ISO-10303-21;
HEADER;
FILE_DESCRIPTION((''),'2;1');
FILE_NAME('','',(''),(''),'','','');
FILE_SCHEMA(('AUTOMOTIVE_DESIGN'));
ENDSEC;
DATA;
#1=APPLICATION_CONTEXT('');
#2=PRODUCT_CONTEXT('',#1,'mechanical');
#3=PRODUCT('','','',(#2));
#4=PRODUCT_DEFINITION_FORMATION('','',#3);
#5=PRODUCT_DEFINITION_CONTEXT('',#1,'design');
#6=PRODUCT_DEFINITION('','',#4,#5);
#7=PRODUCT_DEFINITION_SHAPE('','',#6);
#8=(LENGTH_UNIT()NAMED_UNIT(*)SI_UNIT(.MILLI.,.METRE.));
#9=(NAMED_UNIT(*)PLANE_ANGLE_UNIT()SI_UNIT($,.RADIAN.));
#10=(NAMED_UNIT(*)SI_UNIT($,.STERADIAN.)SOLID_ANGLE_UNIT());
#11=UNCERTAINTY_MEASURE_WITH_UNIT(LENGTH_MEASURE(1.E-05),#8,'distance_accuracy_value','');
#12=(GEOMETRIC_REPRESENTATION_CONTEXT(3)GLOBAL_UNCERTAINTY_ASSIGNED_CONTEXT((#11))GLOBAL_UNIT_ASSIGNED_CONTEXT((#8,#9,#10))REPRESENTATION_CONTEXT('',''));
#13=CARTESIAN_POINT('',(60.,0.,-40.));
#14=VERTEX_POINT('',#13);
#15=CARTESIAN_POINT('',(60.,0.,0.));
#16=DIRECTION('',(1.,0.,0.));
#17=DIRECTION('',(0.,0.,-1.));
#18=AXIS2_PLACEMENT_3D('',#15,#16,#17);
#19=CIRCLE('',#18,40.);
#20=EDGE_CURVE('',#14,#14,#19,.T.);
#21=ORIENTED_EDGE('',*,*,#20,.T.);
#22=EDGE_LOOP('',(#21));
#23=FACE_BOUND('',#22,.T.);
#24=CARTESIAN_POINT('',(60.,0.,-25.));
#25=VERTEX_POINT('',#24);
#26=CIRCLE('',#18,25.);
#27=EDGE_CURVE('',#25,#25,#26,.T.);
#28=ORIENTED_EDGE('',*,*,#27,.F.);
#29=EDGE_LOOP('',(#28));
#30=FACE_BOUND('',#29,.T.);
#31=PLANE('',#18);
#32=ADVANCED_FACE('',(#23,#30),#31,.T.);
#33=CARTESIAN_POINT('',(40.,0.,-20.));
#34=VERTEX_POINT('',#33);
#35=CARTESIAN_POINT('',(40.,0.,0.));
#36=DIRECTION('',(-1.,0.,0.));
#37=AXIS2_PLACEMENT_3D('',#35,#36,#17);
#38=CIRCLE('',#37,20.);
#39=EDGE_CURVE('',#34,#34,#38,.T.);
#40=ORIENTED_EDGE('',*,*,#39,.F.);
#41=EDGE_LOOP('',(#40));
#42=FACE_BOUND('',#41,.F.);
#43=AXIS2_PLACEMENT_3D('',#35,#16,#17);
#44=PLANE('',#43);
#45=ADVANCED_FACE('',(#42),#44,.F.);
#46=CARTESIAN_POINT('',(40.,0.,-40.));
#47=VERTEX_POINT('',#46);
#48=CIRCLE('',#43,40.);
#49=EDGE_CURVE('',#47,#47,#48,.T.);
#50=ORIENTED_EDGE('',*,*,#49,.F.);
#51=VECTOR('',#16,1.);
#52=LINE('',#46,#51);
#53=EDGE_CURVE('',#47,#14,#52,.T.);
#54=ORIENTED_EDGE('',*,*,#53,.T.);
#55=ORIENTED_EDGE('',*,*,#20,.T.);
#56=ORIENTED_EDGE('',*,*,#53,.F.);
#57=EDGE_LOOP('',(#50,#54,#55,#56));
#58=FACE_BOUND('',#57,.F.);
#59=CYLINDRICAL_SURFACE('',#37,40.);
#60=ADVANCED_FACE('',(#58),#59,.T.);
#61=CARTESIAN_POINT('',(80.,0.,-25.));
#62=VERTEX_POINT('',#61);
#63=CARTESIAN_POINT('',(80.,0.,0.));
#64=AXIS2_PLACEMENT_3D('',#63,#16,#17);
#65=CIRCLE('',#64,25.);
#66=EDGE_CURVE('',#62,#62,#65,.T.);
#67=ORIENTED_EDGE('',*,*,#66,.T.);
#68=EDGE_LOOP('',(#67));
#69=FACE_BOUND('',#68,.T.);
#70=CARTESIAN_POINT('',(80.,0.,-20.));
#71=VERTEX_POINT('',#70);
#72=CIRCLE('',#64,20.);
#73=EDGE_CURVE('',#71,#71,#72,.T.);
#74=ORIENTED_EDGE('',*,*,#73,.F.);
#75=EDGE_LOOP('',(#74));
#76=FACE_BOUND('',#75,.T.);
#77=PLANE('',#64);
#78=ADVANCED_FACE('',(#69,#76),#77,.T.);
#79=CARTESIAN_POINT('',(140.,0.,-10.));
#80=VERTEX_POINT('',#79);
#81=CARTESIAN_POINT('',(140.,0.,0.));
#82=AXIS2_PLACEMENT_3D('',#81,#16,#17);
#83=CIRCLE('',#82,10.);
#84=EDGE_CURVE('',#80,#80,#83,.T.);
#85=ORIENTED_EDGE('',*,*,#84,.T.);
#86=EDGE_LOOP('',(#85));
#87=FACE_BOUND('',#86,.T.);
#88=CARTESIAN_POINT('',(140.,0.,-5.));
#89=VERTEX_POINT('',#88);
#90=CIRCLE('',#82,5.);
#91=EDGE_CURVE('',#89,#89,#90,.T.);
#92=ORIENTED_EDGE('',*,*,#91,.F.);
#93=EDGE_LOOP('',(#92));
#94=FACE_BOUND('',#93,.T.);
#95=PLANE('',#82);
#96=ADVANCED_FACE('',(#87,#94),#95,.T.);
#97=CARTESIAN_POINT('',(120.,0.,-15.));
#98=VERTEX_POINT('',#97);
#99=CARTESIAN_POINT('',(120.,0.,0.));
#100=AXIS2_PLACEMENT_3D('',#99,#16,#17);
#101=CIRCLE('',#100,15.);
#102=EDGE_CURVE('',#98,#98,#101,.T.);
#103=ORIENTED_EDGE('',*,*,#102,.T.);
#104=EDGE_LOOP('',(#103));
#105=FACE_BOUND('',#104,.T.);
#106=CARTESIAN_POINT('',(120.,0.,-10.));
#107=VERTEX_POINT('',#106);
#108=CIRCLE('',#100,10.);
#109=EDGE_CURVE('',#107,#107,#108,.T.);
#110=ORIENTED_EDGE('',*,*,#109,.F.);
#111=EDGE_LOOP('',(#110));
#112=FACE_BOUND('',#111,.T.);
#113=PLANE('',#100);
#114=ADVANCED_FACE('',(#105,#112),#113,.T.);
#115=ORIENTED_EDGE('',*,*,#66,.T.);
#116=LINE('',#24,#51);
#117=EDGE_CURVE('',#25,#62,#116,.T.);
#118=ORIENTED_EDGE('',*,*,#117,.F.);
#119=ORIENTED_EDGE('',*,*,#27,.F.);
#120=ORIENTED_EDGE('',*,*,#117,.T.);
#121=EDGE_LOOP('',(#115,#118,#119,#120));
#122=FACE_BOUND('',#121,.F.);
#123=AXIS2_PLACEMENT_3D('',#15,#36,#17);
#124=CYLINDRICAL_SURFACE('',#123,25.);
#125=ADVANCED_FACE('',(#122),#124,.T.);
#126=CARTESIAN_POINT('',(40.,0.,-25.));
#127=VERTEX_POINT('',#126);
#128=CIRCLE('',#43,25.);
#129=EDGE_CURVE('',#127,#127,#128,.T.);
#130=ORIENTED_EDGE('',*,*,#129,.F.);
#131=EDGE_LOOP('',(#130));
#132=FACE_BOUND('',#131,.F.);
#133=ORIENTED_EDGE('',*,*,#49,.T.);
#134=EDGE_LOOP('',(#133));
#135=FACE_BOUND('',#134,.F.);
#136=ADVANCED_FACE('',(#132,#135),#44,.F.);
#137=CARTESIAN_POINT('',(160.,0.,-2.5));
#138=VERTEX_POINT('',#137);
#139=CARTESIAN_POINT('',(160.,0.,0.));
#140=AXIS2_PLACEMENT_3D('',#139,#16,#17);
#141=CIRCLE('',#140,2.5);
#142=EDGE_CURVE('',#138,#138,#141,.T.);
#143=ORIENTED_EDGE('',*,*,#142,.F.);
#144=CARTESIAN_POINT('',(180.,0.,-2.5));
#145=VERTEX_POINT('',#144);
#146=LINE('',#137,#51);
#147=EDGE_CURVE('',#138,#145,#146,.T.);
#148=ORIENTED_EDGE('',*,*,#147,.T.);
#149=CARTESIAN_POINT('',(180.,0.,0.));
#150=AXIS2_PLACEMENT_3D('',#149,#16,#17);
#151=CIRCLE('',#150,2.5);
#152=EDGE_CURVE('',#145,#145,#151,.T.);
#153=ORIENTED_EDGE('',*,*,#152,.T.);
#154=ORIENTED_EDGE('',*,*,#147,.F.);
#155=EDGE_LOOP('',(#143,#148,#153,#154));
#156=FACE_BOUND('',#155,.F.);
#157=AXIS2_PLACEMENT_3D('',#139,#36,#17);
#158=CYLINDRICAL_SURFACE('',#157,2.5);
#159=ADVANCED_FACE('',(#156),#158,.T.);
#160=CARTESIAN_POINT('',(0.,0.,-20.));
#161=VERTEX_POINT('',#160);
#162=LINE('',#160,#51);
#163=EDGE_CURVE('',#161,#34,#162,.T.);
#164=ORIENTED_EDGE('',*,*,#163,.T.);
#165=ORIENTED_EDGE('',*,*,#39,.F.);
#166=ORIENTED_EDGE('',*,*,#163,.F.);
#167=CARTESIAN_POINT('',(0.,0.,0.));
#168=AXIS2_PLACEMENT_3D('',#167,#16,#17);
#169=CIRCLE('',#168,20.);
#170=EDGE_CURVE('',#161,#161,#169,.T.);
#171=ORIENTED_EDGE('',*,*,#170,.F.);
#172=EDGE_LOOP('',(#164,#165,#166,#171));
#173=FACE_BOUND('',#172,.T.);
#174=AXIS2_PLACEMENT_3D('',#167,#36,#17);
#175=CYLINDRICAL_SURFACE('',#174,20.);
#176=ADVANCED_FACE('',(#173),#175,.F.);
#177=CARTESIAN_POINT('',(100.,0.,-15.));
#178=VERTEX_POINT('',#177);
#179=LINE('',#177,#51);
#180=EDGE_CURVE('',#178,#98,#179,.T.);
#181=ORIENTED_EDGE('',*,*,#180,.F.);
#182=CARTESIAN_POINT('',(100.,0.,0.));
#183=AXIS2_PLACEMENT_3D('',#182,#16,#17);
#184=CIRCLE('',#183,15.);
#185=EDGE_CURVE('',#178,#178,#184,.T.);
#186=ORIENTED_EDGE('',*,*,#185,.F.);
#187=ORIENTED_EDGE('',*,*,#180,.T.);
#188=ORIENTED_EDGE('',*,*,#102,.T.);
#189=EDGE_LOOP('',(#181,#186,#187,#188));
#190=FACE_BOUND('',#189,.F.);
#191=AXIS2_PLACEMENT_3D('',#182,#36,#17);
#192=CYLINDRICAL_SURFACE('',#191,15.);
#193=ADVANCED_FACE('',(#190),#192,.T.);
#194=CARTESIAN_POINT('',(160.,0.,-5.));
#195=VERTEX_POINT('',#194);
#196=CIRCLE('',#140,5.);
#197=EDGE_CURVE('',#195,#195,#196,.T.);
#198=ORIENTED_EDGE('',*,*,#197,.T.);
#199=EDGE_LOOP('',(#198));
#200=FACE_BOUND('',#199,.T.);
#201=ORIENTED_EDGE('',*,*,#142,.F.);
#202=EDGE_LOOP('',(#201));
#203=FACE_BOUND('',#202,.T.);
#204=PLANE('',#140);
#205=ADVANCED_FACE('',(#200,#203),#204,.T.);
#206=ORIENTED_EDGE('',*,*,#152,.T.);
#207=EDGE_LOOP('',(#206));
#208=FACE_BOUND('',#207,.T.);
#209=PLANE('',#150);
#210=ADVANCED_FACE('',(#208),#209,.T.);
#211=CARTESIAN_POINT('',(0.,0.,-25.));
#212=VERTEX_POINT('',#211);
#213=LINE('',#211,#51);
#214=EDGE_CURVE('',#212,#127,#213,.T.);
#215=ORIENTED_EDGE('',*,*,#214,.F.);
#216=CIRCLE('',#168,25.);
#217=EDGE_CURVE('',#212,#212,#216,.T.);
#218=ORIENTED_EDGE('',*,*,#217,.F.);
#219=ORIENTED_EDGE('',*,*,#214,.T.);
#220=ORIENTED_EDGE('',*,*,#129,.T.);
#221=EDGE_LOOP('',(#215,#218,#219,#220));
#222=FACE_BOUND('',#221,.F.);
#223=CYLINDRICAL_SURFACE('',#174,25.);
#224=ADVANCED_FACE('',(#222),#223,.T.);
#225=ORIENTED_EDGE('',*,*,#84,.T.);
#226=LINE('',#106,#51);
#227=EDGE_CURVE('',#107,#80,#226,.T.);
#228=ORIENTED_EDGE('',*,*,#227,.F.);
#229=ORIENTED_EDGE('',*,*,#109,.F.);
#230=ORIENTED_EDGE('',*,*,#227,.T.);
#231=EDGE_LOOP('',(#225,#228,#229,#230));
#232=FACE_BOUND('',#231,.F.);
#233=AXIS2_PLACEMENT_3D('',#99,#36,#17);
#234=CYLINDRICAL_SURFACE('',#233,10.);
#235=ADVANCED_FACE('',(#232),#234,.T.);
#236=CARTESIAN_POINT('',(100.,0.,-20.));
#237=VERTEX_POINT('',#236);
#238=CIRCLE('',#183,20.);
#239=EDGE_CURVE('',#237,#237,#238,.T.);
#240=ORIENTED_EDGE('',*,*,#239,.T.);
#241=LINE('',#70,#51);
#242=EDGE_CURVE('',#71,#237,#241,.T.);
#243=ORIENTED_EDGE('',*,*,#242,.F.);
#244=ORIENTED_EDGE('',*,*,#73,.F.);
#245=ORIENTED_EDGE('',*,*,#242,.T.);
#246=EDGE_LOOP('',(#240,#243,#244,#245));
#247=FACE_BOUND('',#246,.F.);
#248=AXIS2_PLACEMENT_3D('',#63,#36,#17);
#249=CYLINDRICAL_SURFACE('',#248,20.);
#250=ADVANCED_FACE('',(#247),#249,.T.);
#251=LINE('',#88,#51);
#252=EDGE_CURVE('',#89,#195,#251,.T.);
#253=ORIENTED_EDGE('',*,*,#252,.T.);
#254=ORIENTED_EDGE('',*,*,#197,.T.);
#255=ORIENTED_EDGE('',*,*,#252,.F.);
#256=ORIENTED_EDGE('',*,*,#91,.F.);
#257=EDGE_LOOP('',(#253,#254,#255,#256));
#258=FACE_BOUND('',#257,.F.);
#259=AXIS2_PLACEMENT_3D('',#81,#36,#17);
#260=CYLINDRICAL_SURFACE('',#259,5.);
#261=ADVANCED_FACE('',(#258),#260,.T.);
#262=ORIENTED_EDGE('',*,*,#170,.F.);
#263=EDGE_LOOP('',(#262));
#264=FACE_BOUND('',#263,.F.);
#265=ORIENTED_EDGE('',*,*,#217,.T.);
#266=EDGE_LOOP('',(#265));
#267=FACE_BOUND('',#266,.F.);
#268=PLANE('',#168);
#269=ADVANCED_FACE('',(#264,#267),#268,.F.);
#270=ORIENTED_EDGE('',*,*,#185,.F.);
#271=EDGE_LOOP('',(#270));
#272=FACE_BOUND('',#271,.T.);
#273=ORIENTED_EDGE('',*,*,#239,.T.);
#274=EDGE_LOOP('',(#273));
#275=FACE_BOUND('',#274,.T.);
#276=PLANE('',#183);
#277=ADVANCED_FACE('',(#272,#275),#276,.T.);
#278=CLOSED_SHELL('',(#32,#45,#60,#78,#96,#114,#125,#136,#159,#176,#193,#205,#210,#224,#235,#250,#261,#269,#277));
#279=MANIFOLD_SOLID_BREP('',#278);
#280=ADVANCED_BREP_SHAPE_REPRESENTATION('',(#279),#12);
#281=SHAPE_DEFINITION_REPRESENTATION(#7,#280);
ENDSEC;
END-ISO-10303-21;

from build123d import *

# Parameters (mm, degrees)
SKETCH1_R           = 25
BOSS_EXTRUDE1_DEPTH = 40
SKETCH2_R           = 20
CUT_EXTRUDE1_DEPTH  = 70
SKETCH9_R           = 2.5
BOSS_EXTRUDE2_DEPTH = 20
SKETCH3_R           = 40
BOSS_EXTRUDE3_DEPTH = 20
SKETCH4_R           = 25
BOSS_EXTRUDE4_DEPTH = 20
SKETCH5_R           = 20
BOSS_EXTRUDE5_DEPTH = 20
SKETCH6_R           = 15
BOSS_EXTRUDE6_DEPTH = 20
SKETCH7_R           = 10
BOSS_EXTRUDE7_DEPTH = 20
SKETCH8_R           = 5
BOSS_EXTRUDE8_DEPTH = 20


with BuildPart() as part:
    # Sketch1 → Boss-Extrude1 (new body)
    with BuildSketch(Plane(origin=(0, 0, 0), x_dir=(0, 0, -1), z_dir=(1, 0, 0))):
        Circle(SKETCH1_R)
    extrude(amount=BOSS_EXTRUDE1_DEPTH)

    # Sketch2 → Cut-Extrude1 (cut)
    with BuildSketch(Plane(origin=(0, 0, 0), x_dir=(0, 0, -1), z_dir=(1, 0, 0))):
        Circle(SKETCH2_R)
    extrude(amount=CUT_EXTRUDE1_DEPTH, mode=Mode.SUBTRACT)

    # Sketch3 → Boss-Extrude3 (add)
    with BuildSketch(Plane(origin=(40, 0, 0), x_dir=(0, 0, -1), z_dir=(1, 0, 0))):
        Circle(SKETCH3_R)
    extrude(amount=BOSS_EXTRUDE3_DEPTH)

    # Sketch4 → Boss-Extrude4 (add)
    with BuildSketch(Plane(origin=(60, 0, 0), x_dir=(0, 0, -1), z_dir=(1, 0, 0))):
        Circle(SKETCH4_R)
    extrude(amount=BOSS_EXTRUDE4_DEPTH)

    # Sketch5 → Boss-Extrude5 (add)
    with BuildSketch(Plane(origin=(80, 0, 0), x_dir=(0, 0, -1), z_dir=(1, 0, 0))):
        Circle(SKETCH5_R)
    extrude(amount=BOSS_EXTRUDE5_DEPTH)

    # Sketch6 → Boss-Extrude6 (add)
    with BuildSketch(Plane(origin=(100, 0, 0), x_dir=(0, 0, -1), z_dir=(1, 0, 0))):
        Circle(SKETCH6_R)
    extrude(amount=BOSS_EXTRUDE6_DEPTH)

    # Sketch7 → Boss-Extrude7 (add)
    with BuildSketch(Plane(origin=(120, 0, 0), x_dir=(0, 0, -1), z_dir=(1, 0, 0))):
        Circle(SKETCH7_R)
    extrude(amount=BOSS_EXTRUDE7_DEPTH)



with BuildPart() as body_2:
    # Sketch9 → Boss-Extrude2 (new body)
    with BuildSketch(Plane(origin=(160, 0, 0), x_dir=(0, 0, -1), z_dir=(1, 0, 0))):
        Circle(SKETCH9_R)
    extrude(amount=BOSS_EXTRUDE2_DEPTH)


with BuildPart() as part_1:
    add(part.part)

    add(body_2.part)  # Boss-Extrude8 merges body 2
    # Sketch8 → Boss-Extrude8 (add)
    with BuildSketch(Plane(origin=(140, 0, 0), x_dir=(0, 0, -1), z_dir=(1, 0, 0))):
        Circle(SKETCH8_R)
    extrude(amount=BOSS_EXTRUDE8_DEPTH)


solid = part_1.part
